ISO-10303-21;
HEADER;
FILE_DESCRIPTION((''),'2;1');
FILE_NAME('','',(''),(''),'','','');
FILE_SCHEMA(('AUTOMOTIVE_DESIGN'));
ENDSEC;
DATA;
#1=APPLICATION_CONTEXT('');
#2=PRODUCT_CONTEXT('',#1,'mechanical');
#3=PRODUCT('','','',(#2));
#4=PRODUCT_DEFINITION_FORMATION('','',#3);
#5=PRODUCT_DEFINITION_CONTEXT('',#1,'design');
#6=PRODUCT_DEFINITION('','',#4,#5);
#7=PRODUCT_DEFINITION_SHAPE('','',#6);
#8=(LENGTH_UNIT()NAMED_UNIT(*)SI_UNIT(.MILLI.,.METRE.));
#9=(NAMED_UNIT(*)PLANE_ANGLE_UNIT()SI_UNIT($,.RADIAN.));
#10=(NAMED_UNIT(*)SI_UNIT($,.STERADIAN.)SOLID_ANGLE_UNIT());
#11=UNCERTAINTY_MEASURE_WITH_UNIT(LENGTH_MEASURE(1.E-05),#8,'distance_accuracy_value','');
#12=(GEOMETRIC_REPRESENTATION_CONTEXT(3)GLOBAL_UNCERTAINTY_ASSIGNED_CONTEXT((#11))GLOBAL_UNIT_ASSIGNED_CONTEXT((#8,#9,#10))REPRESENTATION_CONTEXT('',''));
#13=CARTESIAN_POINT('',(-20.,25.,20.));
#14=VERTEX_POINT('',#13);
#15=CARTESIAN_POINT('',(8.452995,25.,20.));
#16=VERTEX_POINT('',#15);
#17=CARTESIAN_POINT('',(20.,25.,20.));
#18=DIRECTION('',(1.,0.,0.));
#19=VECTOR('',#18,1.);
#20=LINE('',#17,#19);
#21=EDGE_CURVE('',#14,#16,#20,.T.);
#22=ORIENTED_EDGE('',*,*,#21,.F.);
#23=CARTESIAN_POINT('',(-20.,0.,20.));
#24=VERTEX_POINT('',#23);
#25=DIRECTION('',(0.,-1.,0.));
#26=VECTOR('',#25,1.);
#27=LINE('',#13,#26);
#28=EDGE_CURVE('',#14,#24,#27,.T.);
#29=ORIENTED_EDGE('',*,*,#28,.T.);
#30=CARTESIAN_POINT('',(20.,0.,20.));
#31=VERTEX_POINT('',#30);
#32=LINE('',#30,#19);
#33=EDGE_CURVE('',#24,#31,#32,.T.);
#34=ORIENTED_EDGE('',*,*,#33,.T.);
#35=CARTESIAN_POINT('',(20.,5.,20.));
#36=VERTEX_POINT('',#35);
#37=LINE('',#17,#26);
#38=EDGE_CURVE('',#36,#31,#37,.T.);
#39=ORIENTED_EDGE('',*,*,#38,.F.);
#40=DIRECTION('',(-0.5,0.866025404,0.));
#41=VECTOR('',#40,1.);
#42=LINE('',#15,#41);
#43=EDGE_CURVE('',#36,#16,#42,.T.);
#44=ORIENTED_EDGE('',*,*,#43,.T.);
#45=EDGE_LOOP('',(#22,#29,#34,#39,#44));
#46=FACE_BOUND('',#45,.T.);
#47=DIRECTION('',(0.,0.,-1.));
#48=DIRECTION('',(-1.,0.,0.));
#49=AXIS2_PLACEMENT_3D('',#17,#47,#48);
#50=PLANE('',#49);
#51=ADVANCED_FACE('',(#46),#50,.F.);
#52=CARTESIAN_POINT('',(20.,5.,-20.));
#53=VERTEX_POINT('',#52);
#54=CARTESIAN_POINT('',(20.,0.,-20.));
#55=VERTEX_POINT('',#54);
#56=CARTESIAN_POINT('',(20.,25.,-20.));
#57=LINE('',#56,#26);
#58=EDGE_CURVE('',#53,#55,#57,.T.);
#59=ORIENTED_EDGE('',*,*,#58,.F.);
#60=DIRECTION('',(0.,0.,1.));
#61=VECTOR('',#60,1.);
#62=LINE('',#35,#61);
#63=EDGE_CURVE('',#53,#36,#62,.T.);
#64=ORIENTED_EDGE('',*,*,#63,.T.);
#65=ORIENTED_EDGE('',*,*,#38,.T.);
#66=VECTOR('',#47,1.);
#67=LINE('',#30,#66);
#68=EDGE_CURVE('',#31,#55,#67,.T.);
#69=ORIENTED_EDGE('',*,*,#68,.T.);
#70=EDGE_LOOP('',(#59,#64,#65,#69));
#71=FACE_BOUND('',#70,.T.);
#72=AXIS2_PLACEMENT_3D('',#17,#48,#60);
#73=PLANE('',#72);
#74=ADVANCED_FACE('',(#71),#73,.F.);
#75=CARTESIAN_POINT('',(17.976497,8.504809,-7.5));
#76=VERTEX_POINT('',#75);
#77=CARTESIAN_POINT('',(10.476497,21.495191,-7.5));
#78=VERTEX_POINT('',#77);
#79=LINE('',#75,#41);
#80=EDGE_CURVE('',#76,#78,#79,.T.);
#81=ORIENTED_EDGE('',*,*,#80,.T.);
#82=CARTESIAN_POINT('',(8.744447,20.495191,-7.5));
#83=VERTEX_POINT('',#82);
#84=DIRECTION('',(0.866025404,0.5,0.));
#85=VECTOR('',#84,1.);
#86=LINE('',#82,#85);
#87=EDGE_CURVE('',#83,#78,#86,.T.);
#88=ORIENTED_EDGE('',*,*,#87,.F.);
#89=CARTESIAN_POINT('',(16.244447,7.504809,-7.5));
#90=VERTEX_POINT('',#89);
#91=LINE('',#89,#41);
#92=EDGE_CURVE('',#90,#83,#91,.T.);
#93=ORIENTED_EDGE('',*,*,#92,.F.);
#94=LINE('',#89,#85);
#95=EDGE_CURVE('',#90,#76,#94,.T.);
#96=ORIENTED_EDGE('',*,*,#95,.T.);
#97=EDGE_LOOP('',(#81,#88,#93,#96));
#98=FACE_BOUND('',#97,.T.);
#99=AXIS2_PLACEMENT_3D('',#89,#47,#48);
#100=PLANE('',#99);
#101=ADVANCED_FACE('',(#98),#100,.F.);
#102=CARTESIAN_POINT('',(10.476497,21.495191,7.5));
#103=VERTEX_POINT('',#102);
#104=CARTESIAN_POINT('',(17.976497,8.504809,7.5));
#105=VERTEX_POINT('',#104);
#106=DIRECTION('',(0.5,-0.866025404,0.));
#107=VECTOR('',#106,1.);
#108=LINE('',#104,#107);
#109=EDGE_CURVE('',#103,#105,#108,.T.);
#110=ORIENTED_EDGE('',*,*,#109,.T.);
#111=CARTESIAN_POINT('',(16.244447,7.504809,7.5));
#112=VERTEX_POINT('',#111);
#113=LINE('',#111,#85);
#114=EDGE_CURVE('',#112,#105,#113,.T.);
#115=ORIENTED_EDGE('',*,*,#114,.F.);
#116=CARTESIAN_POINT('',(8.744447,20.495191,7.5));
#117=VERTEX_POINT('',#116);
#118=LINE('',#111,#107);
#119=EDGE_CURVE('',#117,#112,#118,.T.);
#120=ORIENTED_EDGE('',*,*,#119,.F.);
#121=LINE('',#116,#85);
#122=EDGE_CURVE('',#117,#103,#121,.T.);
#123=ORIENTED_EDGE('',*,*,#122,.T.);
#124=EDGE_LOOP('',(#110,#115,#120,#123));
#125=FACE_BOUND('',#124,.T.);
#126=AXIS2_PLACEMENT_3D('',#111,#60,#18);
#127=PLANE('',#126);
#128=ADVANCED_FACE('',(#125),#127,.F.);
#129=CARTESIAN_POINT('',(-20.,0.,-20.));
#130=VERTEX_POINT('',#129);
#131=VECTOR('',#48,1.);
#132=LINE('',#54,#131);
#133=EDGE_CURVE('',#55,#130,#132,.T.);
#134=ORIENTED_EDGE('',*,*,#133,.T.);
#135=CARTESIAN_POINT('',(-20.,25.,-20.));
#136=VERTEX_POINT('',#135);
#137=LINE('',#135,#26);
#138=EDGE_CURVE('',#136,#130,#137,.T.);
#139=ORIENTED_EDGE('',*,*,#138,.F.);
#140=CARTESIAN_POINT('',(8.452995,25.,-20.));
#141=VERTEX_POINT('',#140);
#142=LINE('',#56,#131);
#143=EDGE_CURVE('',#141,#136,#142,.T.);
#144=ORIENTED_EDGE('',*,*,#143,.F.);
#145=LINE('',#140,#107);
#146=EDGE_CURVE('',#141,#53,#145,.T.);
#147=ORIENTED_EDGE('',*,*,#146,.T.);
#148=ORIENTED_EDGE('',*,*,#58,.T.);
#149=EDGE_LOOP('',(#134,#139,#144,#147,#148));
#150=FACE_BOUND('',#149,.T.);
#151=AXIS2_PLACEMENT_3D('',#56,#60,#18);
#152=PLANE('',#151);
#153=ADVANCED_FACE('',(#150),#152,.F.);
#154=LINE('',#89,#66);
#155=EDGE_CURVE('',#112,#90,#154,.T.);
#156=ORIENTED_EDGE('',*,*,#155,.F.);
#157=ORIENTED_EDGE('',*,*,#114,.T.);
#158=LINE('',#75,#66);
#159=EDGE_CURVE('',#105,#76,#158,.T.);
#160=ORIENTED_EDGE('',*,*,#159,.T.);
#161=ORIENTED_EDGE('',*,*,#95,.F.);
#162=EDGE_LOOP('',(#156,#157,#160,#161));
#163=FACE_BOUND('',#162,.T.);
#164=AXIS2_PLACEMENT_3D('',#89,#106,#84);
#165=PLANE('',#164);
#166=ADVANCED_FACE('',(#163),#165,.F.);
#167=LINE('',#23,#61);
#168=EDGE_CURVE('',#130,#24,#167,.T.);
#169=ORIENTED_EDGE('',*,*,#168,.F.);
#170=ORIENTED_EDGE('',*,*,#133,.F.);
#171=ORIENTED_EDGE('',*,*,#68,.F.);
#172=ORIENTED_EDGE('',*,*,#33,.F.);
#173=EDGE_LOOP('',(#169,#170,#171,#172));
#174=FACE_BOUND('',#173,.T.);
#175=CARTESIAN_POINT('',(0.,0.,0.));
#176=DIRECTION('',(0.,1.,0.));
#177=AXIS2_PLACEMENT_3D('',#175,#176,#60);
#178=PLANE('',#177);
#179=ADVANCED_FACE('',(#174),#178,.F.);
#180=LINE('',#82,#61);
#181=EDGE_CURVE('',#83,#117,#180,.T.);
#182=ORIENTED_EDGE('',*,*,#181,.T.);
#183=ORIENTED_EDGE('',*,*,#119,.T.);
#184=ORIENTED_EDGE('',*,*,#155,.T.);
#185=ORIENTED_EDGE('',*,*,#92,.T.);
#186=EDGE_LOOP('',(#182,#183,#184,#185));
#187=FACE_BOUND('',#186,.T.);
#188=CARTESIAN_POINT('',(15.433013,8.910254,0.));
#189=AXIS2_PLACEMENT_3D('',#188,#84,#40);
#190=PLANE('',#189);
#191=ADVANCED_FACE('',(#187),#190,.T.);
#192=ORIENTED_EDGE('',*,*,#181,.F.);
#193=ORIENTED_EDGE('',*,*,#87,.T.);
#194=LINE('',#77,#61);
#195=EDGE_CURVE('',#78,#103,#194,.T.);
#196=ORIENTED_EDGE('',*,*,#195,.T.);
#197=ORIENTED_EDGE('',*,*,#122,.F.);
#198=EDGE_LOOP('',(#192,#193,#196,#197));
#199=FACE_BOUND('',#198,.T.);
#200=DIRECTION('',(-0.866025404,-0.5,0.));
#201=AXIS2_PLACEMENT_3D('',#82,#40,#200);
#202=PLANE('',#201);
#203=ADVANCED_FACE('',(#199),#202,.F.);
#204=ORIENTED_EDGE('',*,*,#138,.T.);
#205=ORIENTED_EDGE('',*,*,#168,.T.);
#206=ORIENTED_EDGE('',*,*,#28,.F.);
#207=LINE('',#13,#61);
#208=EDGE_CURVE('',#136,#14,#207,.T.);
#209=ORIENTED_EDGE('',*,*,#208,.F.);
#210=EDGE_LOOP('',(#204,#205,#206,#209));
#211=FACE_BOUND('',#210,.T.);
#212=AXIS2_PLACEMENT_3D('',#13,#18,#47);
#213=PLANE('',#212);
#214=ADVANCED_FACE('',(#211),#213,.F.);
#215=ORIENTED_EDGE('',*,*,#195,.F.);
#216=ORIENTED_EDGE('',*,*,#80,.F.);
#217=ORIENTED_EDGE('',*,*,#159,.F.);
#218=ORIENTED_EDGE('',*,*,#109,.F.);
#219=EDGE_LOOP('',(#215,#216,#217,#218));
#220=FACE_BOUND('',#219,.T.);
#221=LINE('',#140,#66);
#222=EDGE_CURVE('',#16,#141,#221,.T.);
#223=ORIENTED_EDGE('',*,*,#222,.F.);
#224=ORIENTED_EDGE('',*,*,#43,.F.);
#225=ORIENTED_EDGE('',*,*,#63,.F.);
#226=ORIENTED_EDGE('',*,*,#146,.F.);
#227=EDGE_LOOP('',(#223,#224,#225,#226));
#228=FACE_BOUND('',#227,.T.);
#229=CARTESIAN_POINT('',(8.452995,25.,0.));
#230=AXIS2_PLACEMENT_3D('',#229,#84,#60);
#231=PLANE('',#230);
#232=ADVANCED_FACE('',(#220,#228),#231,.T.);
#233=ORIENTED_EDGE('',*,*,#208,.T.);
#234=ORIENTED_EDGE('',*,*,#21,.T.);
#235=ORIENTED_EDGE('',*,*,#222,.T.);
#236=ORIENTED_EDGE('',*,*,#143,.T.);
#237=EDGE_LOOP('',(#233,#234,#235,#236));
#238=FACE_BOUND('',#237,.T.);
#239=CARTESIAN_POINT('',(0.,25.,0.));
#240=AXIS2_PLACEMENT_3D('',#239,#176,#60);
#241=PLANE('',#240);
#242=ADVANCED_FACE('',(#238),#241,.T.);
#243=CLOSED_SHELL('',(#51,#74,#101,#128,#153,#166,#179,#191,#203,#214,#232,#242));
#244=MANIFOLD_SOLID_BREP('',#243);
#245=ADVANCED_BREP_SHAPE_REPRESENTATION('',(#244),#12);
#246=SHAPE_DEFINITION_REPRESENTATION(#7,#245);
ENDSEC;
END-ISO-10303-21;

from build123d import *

# Parameters (mm, degrees)
ESQUISSE1_W             = 40
ESQUISSE1_H             = 40
BOSS_EXTRU_1_DEPTH      = 25
CHANFREIN1_SIZE         = 20
CHANFREIN1_SIZE2        = 11.547005384
ESQUISSE2_W             = 15
ESQUISSE2_H             = 15
ENL_V_MAT_EXTRU_1_DEPTH = 2


with BuildPart() as part:
    # Esquisse1 → Boss.-Extru.1 (new body)
    with BuildSketch(Plane(origin=(0, 0, 0), x_dir=(1, 0, 0), z_dir=(0, 1, 0))):
        Rectangle(ESQUISSE1_W, ESQUISSE1_H)
    extrude(amount=BOSS_EXTRU_1_DEPTH)

    # Chanfrein1
    chanfrein1_edges = [part.edges().sort_by_distance(p)[0] for p in [
        (20, 25, 0),
    ]]
    chanfrein1_side = [part.faces().sort_by_distance(p)[0] for p in [
        (20, 12.5, 0),
    ]]
    chamfer(chanfrein1_edges, length=CHANFREIN1_SIZE, length2=CHANFREIN1_SIZE2, reference=chanfrein1_side[0])

    # Esquisse2 → Enlèv. mat.-Extru.1 (cut)
    with BuildSketch(Plane(origin=(17.165063509, 9.910254038, 0), x_dir=(0, 0, -1), z_dir=(0.8660254037844397, 0.4999999999999983, 0))):
        with Locations((0, 5.877132403)):
            Rectangle(ESQUISSE2_W, ESQUISSE2_H)
    extrude(amount=-ENL_V_MAT_EXTRU_1_DEPTH, mode=Mode.SUBTRACT)


solid = part.part
